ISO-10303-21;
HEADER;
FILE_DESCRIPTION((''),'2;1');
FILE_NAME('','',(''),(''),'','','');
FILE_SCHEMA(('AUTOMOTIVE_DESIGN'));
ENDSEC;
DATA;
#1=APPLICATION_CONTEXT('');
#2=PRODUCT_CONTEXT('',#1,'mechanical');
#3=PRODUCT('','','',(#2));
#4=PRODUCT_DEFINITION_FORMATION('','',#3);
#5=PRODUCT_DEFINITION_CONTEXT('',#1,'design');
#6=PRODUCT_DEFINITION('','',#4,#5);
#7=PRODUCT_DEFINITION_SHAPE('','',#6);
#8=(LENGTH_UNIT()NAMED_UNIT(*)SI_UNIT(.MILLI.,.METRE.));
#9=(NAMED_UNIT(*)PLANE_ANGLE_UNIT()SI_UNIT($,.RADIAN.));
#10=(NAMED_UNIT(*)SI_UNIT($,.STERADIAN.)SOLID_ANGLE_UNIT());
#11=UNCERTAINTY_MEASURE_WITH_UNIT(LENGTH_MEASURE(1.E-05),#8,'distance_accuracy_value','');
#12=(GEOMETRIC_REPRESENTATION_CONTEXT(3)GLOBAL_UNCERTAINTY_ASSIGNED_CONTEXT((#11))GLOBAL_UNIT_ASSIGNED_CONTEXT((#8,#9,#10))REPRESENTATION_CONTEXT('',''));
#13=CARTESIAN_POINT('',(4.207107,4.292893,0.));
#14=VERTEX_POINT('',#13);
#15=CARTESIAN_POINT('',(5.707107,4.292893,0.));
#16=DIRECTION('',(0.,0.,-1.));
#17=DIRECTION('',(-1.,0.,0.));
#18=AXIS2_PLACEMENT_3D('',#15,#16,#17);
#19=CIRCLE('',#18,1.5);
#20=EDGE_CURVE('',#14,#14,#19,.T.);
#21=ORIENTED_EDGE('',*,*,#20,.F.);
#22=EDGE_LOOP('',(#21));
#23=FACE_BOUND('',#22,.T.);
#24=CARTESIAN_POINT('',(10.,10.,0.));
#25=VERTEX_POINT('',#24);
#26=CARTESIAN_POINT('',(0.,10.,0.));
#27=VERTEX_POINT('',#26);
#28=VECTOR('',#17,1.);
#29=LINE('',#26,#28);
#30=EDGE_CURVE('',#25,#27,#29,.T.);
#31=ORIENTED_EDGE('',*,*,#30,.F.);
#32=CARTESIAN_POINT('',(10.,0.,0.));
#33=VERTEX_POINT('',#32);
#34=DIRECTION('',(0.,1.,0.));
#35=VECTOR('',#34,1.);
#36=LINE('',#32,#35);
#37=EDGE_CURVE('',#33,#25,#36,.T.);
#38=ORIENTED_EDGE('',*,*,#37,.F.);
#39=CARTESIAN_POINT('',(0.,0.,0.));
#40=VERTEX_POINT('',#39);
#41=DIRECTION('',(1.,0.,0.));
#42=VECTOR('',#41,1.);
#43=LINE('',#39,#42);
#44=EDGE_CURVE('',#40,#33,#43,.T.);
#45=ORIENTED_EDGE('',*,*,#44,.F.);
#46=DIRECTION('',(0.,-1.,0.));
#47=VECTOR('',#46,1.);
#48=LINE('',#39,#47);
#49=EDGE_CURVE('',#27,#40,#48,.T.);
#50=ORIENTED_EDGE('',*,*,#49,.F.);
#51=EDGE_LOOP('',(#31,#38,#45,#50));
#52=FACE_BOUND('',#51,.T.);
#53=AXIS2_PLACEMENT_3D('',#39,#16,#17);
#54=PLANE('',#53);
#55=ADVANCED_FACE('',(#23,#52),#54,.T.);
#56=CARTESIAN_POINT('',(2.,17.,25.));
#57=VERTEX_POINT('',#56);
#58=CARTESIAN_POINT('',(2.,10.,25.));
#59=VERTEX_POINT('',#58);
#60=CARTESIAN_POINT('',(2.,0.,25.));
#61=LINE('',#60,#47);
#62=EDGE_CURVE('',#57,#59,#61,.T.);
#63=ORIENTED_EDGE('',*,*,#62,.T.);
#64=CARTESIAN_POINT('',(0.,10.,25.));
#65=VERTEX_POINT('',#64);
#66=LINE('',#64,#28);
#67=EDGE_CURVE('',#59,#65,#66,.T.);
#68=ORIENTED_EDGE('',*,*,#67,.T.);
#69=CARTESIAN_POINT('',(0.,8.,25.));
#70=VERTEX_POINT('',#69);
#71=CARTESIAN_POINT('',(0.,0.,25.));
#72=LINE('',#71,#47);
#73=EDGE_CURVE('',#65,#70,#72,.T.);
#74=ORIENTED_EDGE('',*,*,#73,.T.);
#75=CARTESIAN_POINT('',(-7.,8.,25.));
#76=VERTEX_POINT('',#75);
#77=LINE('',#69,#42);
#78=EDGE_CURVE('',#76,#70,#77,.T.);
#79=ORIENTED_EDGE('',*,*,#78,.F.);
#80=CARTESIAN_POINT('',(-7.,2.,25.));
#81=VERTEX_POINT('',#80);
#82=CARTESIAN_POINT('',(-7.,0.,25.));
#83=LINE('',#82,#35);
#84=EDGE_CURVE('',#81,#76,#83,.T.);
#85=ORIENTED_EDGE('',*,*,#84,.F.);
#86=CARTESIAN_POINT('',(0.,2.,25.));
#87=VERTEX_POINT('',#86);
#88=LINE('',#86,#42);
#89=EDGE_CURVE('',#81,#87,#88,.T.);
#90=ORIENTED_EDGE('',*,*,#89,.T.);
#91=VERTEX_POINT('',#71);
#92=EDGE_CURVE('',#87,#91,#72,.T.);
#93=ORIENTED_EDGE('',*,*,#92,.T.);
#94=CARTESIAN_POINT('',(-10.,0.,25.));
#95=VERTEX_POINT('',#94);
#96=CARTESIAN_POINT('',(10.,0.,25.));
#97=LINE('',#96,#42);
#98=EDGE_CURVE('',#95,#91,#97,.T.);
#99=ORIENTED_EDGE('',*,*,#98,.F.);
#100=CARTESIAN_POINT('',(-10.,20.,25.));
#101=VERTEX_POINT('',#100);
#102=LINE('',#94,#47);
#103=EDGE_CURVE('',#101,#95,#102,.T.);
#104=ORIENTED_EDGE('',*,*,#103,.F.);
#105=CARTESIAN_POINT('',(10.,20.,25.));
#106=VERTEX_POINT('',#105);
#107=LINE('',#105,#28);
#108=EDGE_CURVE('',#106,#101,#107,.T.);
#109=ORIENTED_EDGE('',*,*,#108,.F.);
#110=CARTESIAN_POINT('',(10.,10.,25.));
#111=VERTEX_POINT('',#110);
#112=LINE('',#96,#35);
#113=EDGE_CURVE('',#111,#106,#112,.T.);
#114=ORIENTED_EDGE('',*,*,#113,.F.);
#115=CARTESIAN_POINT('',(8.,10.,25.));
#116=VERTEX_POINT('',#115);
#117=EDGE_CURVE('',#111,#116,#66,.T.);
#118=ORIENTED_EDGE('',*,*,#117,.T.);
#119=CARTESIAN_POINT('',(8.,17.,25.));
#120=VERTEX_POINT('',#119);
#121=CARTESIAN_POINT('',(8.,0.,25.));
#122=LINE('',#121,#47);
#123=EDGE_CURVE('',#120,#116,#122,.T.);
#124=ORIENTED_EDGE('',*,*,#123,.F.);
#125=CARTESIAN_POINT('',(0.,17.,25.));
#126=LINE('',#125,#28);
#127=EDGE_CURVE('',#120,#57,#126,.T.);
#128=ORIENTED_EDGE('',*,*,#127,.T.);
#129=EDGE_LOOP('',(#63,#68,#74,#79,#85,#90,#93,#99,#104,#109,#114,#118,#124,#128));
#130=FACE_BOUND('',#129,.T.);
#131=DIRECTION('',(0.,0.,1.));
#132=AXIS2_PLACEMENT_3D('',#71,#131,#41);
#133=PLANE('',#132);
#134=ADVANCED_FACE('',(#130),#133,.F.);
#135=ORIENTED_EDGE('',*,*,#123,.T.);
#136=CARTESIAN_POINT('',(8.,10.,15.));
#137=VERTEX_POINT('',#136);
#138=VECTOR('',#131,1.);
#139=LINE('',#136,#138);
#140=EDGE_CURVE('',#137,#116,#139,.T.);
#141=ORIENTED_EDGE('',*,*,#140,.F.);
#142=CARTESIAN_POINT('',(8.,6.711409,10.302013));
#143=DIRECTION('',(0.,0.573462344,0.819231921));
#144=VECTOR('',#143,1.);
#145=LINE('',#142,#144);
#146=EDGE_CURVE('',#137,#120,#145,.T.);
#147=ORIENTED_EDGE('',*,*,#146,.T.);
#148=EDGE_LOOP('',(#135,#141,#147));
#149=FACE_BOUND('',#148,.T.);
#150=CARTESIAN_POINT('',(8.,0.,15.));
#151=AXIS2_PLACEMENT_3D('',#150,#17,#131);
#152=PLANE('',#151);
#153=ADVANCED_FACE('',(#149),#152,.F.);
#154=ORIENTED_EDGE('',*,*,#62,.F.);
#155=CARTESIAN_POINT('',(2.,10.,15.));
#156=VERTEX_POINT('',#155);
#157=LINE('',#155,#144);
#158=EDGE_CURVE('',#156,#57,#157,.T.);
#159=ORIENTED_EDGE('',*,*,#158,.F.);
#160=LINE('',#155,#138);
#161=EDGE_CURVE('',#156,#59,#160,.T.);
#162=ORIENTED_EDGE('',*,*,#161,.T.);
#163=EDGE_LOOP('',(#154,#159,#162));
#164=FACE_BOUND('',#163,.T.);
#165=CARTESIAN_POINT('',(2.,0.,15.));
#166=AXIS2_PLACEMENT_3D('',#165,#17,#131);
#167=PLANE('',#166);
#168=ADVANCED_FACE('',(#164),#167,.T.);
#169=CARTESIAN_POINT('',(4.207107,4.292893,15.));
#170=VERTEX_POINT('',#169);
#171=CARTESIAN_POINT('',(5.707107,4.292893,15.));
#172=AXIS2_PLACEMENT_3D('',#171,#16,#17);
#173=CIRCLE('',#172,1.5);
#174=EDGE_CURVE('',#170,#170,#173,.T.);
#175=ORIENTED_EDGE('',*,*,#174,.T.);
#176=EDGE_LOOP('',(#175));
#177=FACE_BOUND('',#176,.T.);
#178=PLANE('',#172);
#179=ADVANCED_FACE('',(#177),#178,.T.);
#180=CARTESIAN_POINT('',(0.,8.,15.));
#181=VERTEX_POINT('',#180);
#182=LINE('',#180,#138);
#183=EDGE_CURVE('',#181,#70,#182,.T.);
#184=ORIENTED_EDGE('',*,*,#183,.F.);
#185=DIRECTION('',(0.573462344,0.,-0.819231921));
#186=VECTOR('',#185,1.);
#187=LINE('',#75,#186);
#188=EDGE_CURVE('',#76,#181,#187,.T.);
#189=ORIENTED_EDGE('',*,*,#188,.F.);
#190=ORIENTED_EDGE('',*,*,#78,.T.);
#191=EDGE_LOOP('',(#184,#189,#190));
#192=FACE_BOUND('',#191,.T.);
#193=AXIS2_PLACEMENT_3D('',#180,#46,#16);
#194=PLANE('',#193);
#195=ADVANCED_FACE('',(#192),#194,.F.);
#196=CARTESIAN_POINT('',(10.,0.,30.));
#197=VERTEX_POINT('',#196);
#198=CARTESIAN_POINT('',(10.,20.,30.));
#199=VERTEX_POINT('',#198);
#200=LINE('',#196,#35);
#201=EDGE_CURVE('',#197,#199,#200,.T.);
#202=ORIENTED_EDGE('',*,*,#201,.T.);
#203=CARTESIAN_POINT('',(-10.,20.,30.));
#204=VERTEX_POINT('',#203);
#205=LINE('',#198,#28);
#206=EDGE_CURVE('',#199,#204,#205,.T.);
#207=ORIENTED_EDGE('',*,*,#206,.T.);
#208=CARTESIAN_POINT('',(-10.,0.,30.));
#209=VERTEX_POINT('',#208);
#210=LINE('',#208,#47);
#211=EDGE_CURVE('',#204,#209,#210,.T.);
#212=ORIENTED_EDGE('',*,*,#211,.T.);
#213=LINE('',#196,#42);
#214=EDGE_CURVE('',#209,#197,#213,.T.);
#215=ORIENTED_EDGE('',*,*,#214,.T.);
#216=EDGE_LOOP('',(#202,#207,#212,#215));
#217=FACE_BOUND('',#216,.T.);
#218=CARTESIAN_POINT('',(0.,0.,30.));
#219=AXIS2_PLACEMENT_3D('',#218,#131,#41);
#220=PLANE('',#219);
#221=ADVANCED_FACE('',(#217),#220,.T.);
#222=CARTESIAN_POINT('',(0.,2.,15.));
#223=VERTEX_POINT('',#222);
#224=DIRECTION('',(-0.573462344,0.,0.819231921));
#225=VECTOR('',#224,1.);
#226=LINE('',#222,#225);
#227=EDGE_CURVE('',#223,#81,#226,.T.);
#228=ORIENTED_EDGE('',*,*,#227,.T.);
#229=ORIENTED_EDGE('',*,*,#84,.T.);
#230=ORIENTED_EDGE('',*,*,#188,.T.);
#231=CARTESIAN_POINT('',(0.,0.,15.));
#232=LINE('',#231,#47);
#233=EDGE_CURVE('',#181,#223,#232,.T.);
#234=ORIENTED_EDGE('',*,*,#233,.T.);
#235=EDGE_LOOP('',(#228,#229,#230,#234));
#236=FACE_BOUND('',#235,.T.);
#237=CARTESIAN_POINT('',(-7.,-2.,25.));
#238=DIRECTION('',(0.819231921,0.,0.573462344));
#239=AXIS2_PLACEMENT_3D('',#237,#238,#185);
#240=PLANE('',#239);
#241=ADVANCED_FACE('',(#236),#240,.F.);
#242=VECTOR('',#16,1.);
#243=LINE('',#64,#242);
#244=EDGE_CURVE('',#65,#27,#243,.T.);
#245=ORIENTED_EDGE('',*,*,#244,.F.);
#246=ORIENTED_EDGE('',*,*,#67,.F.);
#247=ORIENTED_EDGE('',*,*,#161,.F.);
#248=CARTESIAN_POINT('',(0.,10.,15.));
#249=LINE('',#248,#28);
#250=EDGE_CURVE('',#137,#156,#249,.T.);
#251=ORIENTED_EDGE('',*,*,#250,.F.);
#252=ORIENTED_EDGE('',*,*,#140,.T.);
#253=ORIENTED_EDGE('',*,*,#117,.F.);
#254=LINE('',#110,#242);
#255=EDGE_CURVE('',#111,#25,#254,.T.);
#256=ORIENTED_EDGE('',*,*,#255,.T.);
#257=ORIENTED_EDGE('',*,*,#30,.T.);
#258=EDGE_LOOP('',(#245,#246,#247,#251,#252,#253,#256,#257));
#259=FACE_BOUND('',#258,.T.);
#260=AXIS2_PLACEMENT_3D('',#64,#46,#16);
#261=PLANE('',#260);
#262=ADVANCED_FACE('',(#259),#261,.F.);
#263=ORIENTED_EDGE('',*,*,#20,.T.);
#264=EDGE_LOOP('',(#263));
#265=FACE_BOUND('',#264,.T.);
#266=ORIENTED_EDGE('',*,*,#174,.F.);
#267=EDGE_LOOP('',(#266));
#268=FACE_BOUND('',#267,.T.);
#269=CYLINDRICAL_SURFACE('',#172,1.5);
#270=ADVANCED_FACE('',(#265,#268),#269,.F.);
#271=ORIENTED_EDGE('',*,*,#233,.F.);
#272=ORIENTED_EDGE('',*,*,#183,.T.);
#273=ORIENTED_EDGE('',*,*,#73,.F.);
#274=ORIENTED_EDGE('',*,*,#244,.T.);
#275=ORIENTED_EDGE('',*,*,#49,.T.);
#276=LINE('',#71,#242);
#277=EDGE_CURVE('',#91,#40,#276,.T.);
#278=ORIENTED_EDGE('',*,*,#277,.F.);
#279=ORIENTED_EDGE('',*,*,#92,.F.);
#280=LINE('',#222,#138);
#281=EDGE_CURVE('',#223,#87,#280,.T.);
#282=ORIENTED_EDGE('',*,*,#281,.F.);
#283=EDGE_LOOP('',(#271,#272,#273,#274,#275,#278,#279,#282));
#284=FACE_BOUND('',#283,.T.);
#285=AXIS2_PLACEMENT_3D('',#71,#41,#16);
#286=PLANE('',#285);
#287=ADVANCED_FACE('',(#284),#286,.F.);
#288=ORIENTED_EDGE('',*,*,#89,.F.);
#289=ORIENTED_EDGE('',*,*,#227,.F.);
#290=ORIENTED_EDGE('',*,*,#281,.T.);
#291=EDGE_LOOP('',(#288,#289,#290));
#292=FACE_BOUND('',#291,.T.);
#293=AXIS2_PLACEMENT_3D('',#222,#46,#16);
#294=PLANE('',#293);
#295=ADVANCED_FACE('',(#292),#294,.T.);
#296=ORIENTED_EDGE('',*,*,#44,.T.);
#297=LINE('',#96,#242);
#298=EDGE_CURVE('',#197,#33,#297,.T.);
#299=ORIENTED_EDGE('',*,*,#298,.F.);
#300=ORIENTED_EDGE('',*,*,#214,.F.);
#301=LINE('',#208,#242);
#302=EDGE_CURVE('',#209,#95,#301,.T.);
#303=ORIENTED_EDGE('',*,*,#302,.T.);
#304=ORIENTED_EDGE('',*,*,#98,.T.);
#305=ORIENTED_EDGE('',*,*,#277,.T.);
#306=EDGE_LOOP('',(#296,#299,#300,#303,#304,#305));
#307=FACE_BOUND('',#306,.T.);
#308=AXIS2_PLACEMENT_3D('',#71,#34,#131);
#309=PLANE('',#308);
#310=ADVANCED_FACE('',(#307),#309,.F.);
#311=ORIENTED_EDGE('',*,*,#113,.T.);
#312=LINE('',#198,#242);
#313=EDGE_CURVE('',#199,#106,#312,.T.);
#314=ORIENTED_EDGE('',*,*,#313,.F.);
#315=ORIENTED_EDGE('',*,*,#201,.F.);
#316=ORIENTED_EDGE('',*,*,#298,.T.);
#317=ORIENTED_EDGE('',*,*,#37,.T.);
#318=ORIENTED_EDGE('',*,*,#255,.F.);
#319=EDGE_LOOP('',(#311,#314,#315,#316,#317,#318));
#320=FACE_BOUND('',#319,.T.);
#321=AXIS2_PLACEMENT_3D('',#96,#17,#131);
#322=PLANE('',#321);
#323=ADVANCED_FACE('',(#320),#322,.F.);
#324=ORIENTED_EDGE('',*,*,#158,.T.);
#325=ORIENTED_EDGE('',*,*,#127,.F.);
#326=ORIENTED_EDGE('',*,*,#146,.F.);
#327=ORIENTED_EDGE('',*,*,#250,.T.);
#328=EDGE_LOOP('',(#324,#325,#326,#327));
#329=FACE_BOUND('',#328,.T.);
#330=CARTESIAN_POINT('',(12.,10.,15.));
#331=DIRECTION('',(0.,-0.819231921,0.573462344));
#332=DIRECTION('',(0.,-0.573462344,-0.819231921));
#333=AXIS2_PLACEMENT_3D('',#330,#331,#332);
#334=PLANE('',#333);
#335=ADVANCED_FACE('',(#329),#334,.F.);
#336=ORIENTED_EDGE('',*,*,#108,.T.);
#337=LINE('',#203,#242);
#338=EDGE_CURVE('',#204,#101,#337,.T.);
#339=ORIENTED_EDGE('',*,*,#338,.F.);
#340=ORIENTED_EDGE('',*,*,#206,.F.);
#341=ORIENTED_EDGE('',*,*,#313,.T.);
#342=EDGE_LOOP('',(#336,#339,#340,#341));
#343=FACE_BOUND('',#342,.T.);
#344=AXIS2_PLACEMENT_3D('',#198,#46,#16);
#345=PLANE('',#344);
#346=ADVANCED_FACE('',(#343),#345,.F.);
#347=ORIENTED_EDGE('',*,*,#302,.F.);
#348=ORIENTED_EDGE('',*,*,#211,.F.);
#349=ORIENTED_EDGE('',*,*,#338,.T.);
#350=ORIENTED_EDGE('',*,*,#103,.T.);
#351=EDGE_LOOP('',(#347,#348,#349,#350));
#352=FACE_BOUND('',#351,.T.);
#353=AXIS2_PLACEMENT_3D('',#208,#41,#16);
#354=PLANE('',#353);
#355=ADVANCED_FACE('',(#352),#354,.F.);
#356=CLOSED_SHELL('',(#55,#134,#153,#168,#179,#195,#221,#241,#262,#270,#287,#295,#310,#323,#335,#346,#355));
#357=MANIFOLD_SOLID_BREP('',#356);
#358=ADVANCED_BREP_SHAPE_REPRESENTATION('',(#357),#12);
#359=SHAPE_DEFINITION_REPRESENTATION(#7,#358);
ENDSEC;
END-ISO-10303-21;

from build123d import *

# Parameters (mm, degrees)
SKETCH_1_W          = 10
SKETCH_1_H          = 10
EXTRUDE_1_DEPTH     = 25
SKETCH_2_R          = 1.5
CUT_EXTRUDE_1_DEPTH = 15
SKETCH_3_W          = 20
SKETCH_3_H          = 20
EXTRUDE_2_DEPTH     = 5
SKETCH_4_W          = 7
SKETCH_4_H          = 3
SKETCH_4_W_2        = 3
SKETCH_4_H_2        = 7
EXTRUDE_3_DEPTH     = 10
CUT_EXTRUDE_2_DEPTH = 10
CUT_EXTRUDE_3_DEPTH = 10


with BuildPart() as part:
    # 草图1 → 凸台-拉伸1 (new body)
    with BuildSketch(Plane.XY):
        with Locations((5, 5)):
            Rectangle(SKETCH_1_W, SKETCH_1_H)
    extrude(amount=EXTRUDE_1_DEPTH)

    # 草图2 → 切除-拉伸1 (cut)
    with BuildSketch(Plane(origin=(0, 0, 0), x_dir=(-1, 0, 0), z_dir=(0, 0, -1))):
        with Locations((-5.707106781, 4.292893219)):
            Circle(SKETCH_2_R)
    extrude(amount=-CUT_EXTRUDE_1_DEPTH, mode=Mode.SUBTRACT)

    # 草图3 → 凸台-拉伸2 (add)
    with BuildSketch(Plane.XY.offset(25)):
        with Locations((0, 10)):
            Rectangle(SKETCH_3_W, SKETCH_3_H)
    extrude(amount=EXTRUDE_2_DEPTH)

    # 草图4 → 凸台-拉伸3 (add)
    with BuildSketch(Plane(origin=(0, 0, 25), x_dir=(-1, 0, 0), z_dir=(0, 0, -1))):
        with Locations((3.5, 6.5)):
            Rectangle(SKETCH_4_W, SKETCH_4_H)
        with Locations((3.5, 3.5)):
            Rectangle(SKETCH_4_W, SKETCH_4_H)
        with Locations((-3.5, 13.5)):
            Rectangle(SKETCH_4_W_2, SKETCH_4_H_2)
        with Locations((-6.5, 13.5)):
            Rectangle(SKETCH_4_W_2, SKETCH_4_H_2)
    extrude(amount=EXTRUDE_3_DEPTH)

    # 草图5 → 切除-拉伸2 (cut)
    with BuildSketch(Plane(origin=(0, 8, 0), x_dir=(1, 0, 0), z_dir=(0, 1, 0))):
        Polygon((-7, -25), (0, -15), (-7, -15), align=None)
    extrude(amount=-CUT_EXTRUDE_2_DEPTH, mode=Mode.SUBTRACT)

    # 草图6 → 切除-拉伸3 (cut)
    with BuildSketch(Plane.ZY.offset(-2)):
        Polygon((15, 10), (25, 17), (15, 17), align=None)
    extrude(amount=-CUT_EXTRUDE_3_DEPTH, mode=Mode.SUBTRACT)


solid = part.part
